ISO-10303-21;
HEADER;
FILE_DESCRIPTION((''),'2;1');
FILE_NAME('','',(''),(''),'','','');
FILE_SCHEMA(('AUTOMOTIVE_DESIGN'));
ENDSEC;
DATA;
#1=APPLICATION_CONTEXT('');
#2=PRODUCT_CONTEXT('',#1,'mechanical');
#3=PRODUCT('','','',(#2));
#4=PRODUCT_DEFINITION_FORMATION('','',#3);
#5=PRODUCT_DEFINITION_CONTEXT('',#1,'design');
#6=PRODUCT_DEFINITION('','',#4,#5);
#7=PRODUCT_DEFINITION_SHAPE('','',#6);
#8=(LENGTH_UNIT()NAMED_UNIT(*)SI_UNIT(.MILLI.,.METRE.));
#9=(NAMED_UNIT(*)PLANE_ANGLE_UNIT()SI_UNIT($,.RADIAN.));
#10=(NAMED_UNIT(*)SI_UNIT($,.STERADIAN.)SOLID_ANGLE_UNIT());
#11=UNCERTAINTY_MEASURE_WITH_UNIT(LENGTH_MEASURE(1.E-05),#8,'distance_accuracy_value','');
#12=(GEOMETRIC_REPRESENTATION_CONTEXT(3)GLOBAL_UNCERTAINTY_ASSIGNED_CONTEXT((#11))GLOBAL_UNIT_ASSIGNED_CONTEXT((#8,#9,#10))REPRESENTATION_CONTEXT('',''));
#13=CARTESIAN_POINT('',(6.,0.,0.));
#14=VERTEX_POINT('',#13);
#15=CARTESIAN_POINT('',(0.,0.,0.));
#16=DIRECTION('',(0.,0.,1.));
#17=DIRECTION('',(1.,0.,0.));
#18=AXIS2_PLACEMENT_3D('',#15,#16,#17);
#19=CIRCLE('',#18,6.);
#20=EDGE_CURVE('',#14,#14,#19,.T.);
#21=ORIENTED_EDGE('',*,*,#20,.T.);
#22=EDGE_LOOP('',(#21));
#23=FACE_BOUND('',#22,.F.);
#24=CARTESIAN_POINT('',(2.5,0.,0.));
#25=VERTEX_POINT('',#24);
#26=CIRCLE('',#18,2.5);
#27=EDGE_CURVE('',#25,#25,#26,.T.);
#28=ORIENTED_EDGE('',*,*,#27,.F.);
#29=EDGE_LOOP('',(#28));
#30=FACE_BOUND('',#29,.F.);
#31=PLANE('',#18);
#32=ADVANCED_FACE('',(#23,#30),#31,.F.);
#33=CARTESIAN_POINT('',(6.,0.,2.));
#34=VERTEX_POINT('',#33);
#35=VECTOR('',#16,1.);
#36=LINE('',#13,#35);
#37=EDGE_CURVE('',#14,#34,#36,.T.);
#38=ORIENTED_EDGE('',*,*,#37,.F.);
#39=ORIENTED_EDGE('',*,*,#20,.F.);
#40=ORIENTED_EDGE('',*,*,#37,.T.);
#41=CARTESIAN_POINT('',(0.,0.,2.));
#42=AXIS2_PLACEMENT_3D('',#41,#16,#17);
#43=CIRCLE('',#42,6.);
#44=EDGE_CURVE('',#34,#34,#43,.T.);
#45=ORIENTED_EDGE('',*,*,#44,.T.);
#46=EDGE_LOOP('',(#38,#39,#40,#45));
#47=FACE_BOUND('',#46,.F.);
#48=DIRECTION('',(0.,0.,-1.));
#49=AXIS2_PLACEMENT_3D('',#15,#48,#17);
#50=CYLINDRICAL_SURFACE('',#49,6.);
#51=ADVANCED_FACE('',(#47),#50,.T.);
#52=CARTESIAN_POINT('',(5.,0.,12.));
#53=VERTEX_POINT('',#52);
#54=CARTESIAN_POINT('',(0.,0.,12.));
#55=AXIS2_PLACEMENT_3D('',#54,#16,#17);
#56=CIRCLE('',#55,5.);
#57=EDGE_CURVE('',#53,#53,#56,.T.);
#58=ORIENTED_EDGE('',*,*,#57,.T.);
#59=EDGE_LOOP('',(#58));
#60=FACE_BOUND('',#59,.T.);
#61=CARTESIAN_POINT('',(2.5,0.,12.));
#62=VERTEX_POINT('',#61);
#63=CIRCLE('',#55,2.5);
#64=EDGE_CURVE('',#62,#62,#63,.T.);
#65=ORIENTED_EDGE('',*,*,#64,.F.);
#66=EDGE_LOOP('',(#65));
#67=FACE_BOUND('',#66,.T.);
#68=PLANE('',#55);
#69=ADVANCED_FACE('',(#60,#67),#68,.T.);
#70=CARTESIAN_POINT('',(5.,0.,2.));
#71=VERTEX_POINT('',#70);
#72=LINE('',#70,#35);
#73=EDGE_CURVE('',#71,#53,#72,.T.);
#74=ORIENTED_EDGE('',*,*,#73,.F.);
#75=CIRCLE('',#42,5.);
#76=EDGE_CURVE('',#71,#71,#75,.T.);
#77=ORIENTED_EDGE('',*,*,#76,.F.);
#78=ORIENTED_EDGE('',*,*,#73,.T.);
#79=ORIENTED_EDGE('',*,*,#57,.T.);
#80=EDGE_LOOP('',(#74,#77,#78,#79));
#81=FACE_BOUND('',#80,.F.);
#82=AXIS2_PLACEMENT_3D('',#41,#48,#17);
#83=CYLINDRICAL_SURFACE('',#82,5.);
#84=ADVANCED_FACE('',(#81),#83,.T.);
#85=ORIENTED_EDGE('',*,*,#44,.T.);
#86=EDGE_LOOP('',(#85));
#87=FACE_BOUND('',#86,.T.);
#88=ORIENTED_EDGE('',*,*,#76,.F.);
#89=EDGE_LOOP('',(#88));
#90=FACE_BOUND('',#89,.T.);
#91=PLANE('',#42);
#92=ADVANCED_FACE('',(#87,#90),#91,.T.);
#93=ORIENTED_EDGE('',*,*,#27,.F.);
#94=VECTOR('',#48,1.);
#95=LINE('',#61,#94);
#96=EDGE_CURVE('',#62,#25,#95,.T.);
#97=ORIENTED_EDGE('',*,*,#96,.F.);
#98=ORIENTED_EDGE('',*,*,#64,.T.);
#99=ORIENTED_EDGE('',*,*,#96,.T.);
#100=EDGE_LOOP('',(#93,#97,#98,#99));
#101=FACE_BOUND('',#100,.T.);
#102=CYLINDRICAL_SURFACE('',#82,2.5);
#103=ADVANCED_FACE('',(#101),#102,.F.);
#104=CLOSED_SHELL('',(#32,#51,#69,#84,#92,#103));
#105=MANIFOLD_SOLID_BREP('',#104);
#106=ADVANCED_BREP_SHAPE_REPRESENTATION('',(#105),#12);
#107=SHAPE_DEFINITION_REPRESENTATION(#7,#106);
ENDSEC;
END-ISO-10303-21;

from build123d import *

# Parameters (mm, degrees)
SKETCH_R      = 6
SKETCH_R_2    = 2.5
PAD_DEPTH     = 2
SKETCH001_R   = 5
SKETCH001_R_2 = 2.5
PAD001_DEPTH  = 10


with BuildPart() as part:
    # Sketch → Pad (new body)
    with BuildSketch(Plane.XY):
        Circle(SKETCH_R)
        Circle(SKETCH_R_2, mode=Mode.SUBTRACT)
    extrude(amount=PAD_DEPTH)

    # Sketch001 (on Face4 of Pad) → Pad001 (join)
    with BuildSketch(Plane.XY.offset(2)):
        Circle(SKETCH001_R)
        Circle(SKETCH001_R_2, mode=Mode.SUBTRACT)
    extrude(amount=PAD001_DEPTH)


solid = part.part
